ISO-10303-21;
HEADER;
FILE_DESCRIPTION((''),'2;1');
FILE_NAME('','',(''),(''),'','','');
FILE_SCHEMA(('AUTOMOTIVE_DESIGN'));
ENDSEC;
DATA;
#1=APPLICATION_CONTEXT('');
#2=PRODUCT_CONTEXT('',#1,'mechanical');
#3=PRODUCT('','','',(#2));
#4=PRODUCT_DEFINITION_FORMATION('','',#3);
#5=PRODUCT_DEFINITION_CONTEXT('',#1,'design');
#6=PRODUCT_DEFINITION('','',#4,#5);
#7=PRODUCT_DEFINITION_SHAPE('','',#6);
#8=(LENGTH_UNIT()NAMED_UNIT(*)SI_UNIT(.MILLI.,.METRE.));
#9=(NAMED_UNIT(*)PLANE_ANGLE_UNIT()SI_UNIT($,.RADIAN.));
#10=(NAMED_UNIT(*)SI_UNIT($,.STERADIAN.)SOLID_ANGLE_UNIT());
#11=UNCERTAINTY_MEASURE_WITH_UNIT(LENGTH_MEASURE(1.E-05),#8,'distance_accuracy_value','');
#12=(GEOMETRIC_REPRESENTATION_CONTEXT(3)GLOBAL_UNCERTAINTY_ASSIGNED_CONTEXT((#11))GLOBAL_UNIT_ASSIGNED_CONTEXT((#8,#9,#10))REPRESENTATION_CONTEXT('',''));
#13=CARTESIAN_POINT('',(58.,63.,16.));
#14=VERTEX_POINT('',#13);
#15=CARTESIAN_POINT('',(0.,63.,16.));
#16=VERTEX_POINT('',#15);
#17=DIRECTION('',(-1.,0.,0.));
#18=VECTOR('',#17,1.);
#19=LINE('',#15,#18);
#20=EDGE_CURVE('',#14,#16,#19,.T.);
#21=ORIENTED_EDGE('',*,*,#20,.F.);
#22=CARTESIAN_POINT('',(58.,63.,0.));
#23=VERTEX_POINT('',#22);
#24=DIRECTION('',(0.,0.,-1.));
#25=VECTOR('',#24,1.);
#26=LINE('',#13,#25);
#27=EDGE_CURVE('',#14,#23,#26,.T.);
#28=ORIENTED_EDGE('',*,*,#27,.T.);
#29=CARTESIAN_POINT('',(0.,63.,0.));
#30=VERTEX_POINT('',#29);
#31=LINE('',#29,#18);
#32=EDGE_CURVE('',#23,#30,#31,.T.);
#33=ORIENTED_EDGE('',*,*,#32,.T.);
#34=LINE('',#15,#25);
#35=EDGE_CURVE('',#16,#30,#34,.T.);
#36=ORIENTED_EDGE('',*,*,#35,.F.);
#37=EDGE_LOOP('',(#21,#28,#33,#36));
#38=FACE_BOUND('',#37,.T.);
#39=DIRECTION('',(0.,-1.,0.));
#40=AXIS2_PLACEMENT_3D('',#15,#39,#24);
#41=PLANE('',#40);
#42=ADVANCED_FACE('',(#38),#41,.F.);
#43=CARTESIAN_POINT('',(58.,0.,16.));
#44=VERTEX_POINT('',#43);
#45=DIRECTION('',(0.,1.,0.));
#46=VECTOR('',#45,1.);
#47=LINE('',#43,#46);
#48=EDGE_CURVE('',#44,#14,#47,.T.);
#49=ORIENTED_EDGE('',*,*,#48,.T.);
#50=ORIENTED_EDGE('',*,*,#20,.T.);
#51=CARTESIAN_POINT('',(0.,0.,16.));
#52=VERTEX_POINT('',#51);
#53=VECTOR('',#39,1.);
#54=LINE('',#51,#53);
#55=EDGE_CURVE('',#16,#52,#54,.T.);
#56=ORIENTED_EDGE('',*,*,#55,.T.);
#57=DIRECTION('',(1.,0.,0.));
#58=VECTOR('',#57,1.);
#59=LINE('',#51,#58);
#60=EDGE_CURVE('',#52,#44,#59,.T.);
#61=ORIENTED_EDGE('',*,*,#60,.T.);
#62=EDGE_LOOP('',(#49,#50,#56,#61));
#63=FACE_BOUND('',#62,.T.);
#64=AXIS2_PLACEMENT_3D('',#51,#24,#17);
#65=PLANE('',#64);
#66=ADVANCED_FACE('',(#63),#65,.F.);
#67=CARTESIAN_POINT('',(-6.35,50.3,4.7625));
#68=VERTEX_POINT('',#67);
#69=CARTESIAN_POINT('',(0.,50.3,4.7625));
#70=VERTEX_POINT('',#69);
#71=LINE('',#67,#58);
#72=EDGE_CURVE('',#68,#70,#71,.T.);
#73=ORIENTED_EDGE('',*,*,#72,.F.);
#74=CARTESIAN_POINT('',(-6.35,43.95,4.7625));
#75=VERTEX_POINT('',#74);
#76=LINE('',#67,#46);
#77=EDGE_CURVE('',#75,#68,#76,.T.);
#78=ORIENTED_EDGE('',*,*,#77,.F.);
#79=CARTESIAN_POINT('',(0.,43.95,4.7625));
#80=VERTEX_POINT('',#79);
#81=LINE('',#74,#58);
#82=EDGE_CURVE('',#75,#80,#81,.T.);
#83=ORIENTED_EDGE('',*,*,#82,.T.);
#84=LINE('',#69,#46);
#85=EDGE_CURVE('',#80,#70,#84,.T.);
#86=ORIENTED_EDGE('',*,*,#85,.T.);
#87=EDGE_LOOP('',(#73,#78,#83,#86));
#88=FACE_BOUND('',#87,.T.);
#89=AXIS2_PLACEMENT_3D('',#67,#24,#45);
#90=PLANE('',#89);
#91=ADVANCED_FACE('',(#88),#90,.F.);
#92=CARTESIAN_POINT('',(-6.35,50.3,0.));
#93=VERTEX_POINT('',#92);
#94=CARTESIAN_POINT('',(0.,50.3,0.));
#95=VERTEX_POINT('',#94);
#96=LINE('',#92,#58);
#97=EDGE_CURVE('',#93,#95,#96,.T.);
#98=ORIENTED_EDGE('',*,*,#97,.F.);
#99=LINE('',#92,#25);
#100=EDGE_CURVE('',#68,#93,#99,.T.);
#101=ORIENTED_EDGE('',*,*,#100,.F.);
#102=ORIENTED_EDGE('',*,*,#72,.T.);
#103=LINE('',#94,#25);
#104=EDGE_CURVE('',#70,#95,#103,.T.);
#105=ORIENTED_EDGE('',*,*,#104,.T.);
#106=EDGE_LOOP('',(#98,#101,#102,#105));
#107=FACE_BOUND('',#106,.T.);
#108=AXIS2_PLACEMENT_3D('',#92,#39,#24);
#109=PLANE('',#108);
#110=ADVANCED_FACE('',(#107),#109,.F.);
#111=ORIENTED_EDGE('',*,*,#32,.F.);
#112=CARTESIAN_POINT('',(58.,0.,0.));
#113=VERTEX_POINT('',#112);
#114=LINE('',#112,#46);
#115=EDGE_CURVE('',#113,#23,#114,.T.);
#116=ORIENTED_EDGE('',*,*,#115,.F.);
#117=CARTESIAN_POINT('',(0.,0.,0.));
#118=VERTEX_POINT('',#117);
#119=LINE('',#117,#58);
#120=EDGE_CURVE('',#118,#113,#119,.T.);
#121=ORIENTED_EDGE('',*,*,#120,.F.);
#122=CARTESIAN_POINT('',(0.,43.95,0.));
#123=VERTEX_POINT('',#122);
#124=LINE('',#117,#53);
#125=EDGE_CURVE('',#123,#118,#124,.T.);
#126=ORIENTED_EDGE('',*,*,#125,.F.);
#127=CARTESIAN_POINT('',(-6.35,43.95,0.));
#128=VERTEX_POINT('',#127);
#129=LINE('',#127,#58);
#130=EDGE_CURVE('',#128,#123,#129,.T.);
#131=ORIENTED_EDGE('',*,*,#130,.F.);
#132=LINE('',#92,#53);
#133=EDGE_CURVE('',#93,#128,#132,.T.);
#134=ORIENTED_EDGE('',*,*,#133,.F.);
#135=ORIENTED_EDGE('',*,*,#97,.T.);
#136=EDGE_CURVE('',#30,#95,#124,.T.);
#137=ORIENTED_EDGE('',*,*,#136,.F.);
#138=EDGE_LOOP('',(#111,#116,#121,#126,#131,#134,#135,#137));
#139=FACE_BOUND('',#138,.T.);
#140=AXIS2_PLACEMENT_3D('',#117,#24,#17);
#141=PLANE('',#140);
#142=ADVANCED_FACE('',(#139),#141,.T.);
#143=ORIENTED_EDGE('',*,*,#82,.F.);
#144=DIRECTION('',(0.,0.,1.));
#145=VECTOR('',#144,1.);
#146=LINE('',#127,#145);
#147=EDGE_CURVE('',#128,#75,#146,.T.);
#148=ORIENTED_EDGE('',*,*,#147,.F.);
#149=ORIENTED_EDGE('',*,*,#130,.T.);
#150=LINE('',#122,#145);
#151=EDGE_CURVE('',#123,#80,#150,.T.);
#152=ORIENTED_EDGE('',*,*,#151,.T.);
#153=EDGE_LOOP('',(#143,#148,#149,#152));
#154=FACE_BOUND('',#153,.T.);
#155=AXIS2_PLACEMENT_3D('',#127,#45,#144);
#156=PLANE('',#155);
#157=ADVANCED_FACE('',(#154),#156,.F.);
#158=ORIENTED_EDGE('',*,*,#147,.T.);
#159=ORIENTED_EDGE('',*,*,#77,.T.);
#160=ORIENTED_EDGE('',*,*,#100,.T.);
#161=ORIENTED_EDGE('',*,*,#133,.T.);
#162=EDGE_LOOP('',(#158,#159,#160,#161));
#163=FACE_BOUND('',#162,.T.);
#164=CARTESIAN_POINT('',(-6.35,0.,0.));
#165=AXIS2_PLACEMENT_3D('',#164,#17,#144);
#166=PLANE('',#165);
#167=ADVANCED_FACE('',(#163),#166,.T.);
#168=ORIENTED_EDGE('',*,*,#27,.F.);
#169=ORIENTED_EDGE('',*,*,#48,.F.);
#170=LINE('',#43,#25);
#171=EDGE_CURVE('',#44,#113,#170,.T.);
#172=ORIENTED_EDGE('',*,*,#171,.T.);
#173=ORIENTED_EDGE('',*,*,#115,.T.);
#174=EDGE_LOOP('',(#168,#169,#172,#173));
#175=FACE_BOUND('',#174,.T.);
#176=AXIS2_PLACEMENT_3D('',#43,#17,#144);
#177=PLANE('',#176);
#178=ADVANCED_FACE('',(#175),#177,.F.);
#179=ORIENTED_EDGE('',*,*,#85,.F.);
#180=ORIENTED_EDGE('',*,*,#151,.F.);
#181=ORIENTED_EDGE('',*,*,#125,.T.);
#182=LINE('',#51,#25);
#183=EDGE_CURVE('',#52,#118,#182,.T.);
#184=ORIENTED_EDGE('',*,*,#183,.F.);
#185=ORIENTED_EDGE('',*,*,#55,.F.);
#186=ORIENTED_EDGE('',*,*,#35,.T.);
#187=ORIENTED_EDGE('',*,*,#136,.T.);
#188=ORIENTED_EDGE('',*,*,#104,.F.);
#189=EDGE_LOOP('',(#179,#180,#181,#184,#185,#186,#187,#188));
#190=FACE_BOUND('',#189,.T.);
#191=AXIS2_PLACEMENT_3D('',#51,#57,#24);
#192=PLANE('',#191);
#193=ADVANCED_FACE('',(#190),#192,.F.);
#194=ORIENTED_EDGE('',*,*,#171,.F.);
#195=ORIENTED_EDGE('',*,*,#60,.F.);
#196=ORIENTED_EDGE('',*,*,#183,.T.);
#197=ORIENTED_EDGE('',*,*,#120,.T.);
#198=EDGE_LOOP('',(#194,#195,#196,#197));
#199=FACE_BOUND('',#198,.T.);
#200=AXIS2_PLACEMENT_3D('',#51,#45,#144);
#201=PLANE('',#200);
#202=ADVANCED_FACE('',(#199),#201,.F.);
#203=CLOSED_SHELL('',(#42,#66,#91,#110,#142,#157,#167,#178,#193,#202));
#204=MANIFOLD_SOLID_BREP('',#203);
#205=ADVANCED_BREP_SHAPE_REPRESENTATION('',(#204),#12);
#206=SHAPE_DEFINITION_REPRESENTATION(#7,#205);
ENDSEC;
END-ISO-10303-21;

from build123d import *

# Parameters (mm, degrees)
SKETCH1_W           = 58
SKETCH1_H           = 63
BOSS_EXTRUDE1_DEPTH = 16
SKETCH2_W           = 4.7625
SKETCH2_H           = 6.35
BOSS_EXTRUDE2_DEPTH = 6.35


with BuildPart() as part:
    # Sketch1 → Boss-Extrude1 (new body)
    with BuildSketch(Plane.XY):
        with Locations((29, 31.5)):
            Rectangle(SKETCH1_W, SKETCH1_H)
    extrude(amount=BOSS_EXTRUDE1_DEPTH)

    # Sketch2 → Boss-Extrude2 (add)
    with BuildSketch(Plane.ZY):
        with Locations((2.38125, 47.125)):
            Rectangle(SKETCH2_W, SKETCH2_H)
    extrude(amount=BOSS_EXTRUDE2_DEPTH)


solid = part.part
